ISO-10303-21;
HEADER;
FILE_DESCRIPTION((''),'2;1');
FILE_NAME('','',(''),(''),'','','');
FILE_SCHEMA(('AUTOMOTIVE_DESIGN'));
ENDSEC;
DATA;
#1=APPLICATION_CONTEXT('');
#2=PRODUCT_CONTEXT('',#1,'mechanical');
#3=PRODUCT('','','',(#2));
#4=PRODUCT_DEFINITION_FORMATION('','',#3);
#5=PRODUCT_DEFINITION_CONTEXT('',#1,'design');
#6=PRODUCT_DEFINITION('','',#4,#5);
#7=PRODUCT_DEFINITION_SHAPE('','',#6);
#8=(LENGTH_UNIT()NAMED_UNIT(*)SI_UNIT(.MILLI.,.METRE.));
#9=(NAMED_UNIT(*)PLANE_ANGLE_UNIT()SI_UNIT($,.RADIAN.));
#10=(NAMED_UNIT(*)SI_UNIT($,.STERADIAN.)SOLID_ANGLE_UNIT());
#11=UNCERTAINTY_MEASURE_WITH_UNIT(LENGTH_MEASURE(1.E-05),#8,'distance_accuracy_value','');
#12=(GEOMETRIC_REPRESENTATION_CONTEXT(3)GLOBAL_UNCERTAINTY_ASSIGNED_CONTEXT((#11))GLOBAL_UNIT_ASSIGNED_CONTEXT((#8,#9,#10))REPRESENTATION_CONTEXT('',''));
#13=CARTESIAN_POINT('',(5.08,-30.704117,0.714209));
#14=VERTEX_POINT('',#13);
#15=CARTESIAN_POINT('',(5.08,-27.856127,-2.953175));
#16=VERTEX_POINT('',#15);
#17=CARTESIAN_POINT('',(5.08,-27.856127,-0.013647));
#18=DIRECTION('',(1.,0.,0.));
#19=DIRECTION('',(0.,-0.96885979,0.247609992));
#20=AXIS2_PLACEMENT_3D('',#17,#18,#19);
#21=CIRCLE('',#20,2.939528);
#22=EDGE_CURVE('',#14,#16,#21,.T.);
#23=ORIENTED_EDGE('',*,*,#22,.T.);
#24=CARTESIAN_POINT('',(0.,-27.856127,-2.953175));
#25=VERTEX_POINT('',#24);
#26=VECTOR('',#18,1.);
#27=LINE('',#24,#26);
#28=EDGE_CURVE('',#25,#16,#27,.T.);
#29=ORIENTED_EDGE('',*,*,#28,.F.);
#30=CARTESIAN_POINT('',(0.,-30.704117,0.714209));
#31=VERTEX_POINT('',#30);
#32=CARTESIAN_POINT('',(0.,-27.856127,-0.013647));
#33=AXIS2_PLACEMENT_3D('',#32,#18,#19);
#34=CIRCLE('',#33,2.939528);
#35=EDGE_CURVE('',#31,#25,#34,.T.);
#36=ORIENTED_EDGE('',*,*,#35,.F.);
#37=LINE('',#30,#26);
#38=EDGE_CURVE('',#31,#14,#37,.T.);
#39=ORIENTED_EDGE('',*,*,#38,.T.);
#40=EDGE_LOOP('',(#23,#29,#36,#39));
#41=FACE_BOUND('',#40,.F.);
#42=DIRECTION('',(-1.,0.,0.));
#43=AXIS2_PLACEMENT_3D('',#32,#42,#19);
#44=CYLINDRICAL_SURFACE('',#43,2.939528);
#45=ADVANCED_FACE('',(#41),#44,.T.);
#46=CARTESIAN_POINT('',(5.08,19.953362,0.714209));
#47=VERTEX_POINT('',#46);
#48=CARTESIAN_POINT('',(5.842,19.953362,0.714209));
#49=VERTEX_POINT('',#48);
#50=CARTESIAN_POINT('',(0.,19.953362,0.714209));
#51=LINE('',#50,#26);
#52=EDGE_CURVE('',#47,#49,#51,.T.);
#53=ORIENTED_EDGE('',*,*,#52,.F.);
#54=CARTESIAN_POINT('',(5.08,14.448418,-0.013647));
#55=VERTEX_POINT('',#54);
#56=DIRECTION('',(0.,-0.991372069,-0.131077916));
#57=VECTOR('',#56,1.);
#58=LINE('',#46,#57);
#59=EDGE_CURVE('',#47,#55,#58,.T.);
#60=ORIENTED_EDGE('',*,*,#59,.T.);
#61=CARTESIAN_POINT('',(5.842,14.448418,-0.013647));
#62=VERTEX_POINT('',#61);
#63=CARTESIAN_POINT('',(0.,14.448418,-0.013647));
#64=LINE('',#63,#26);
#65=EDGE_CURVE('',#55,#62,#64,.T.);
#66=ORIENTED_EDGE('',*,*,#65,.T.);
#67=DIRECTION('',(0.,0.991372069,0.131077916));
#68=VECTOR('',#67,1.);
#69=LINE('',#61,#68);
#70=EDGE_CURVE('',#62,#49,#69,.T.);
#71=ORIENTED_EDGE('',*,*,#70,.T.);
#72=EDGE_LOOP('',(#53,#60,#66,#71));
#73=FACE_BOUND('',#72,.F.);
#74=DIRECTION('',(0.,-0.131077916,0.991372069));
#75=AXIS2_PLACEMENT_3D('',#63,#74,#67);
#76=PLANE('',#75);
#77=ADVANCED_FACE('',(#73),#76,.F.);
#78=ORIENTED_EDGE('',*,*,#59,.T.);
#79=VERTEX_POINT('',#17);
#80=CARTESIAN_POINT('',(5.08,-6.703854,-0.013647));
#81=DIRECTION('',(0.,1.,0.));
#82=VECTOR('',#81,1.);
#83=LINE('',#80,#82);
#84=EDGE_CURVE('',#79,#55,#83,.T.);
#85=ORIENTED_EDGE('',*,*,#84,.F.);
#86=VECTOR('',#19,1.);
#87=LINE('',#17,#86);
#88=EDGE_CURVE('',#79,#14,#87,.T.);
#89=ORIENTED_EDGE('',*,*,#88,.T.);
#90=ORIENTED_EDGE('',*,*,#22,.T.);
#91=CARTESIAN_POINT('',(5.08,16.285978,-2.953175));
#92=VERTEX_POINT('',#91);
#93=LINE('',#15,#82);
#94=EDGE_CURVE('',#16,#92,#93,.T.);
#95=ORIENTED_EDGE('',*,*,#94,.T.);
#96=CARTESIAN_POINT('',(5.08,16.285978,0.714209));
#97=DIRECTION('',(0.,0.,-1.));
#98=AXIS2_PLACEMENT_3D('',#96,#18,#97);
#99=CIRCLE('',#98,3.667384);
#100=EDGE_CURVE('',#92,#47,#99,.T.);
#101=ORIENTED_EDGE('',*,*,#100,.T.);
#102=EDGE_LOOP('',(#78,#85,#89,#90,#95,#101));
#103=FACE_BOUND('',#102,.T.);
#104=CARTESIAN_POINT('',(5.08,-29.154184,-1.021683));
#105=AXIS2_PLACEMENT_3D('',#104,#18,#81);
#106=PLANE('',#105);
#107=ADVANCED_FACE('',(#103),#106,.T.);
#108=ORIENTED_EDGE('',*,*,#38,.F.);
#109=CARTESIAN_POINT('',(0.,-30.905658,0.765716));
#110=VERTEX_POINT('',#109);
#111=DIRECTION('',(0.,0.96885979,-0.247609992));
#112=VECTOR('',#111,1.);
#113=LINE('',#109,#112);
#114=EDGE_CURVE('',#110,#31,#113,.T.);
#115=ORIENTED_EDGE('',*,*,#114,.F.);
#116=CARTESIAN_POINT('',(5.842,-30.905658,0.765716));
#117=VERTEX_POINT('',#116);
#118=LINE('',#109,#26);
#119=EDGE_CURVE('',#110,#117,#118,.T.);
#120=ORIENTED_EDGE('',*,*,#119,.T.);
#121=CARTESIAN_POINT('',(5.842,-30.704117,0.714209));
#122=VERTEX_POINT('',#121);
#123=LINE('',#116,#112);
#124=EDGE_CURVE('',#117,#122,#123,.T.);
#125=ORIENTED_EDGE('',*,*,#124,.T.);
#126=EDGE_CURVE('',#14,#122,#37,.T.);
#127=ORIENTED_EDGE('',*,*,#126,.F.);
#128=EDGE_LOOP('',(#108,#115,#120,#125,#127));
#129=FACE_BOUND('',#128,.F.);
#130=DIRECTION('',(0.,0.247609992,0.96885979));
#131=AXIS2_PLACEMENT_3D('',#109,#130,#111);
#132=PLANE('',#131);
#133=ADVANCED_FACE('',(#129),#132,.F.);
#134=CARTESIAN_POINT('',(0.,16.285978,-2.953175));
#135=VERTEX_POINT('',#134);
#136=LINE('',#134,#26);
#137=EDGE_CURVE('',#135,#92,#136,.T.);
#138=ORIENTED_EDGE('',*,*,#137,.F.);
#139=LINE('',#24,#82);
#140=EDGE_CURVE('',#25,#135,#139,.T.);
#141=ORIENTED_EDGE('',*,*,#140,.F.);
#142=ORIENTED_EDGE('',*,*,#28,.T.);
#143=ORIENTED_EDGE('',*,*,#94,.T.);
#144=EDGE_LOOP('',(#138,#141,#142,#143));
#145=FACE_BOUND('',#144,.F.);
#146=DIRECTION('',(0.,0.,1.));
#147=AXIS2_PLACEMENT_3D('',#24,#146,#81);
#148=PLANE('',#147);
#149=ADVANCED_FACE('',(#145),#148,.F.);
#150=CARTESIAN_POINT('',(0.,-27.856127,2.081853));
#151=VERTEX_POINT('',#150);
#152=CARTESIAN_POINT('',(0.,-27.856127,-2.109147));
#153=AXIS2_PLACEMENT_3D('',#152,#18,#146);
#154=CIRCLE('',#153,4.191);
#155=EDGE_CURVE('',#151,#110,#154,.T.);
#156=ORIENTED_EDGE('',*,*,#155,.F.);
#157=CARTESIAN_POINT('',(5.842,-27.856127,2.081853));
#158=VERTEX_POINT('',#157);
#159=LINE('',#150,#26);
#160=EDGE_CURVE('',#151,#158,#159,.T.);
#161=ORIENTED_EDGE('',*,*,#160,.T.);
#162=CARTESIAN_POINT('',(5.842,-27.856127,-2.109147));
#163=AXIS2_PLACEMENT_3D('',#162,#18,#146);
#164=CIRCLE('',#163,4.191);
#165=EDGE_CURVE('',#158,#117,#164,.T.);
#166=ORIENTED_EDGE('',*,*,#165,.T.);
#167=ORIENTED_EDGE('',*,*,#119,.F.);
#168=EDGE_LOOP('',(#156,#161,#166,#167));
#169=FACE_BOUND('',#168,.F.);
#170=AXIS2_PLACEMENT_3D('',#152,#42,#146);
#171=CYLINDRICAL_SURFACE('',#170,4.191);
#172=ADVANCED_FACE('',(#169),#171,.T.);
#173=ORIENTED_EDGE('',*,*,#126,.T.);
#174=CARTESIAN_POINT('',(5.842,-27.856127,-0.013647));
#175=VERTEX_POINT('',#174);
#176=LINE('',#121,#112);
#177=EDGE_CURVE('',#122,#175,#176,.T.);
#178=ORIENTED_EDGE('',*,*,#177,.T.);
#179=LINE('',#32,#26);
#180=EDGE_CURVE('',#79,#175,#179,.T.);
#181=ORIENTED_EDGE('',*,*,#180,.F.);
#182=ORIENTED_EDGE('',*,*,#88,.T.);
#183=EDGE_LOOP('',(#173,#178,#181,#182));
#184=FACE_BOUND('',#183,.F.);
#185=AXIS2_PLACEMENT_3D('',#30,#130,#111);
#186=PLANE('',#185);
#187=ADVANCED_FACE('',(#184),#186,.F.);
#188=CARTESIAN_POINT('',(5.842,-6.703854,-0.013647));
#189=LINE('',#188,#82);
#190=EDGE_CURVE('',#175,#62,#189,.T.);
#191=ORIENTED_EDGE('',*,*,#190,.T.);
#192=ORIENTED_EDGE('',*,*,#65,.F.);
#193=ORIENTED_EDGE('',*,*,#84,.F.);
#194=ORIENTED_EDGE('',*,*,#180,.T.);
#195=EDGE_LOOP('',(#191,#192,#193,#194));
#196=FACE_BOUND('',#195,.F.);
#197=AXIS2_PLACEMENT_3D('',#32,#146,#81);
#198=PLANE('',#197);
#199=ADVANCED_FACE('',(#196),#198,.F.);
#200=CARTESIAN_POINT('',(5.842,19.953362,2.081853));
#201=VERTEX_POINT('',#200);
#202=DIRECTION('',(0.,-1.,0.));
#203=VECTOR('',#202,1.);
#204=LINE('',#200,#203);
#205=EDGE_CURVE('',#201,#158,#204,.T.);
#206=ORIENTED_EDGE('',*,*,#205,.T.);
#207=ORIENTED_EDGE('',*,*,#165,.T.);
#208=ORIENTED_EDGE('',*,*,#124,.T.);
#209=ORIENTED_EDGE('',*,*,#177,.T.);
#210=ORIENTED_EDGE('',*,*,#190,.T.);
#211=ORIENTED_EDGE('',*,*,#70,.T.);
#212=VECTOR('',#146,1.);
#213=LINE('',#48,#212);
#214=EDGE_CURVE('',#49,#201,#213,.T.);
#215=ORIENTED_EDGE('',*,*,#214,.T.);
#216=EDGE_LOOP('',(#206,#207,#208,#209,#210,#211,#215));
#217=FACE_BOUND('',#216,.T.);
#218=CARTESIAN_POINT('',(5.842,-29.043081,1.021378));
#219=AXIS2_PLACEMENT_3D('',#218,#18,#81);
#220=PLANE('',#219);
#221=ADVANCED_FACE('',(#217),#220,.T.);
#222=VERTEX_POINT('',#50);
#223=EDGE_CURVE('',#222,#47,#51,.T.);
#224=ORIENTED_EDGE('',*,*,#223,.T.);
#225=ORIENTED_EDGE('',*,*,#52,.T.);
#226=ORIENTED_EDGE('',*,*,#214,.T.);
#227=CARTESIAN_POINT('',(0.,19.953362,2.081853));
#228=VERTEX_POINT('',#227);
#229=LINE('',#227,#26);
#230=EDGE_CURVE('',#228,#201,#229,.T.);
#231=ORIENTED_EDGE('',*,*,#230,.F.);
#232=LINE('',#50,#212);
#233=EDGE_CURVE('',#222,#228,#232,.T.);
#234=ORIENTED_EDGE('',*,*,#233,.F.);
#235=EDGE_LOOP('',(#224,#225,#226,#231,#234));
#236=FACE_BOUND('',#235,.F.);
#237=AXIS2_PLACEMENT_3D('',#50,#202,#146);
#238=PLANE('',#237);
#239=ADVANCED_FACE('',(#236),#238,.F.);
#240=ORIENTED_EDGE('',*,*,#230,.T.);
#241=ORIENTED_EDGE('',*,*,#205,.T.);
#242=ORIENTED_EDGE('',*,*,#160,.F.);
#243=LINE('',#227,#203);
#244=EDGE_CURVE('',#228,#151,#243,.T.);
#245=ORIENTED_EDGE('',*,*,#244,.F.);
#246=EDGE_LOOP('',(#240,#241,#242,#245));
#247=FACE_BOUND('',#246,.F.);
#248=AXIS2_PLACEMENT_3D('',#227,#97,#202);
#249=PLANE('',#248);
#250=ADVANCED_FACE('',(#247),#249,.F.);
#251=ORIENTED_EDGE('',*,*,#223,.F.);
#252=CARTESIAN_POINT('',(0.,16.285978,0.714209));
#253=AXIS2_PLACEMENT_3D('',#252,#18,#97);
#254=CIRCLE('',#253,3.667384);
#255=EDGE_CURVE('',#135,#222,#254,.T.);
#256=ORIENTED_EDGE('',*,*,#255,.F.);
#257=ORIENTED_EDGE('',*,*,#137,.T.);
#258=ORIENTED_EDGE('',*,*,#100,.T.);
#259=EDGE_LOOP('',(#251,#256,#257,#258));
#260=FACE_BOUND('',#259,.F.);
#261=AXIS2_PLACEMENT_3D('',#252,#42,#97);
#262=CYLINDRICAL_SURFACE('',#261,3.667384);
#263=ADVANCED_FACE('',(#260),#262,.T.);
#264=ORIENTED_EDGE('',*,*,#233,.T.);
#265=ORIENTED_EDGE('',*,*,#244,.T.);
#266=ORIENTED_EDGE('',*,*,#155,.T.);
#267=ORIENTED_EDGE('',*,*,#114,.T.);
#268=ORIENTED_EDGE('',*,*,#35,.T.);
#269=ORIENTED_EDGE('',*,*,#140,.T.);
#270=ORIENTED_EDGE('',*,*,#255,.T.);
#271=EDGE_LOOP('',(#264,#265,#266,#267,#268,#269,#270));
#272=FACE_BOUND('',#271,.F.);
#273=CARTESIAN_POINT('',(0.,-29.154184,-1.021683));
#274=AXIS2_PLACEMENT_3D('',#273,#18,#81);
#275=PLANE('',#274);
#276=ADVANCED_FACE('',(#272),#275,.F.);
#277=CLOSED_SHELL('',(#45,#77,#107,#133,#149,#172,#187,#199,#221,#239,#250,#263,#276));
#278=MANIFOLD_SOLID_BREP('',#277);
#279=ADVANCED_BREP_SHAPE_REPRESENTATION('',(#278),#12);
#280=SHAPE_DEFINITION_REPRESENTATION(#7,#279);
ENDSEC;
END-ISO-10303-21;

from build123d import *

# Parameters (mm, degrees)
F0_W     = 42.3045453848
F0_H     = 2.0955
F1_DEPTH = 5.842
F0_H_2   = 2.9395276724
F2_DEPTH = 5.08


with BuildPart() as f1:
    # F0 (on Right) → F1 (new body)
    with BuildSketch(Plane.YZ):
        with BuildLine():
            Line((-27.856127011, -0.0136474585), (-27.856127011, 2.0818525415))
            ThreePointArc((-27.856127011, 2.0818525415), (-29.51683868, 1.7387763651), (-30.9056579084, 0.7657164176))
            Line((-30.9056579084, 0.7657164176), (-30.7041171732, 0.7142089649))
            Line((-30.7041171732, 0.7142089649), (-27.856127011, -0.0136474585))
        make_face()
        with Locations((-6.7038543186, 1.0341025415)):
            Rectangle(F0_W, F0_H)
        Polygon((19.4500260153, 2.0818525415), (14.4484183737, 2.0818525415), (14.4484183737, -0.0136474585), (19.953361936, 0.7142089649), (19.953361936, 2.0818525415), align=None)
    extrude(amount=F1_DEPTH)

    # F0 (on Right) → F2 (join)
    with BuildSketch(Plane.YZ):
        with BuildLine():
            Line((-27.856127011, -2.953175131), (-27.856127011, -0.0136474585))
            Line((-27.856127011, -0.0136474585), (-30.7041171732, 0.7142089649))
            ThreePointArc((-30.7041171732, 0.7142089649), (-30.1778049641, -1.816599044), (-27.856127011, -2.953175131))
        make_face()
        with Locations((-6.7038543186, -1.4834112948)):
            Rectangle(F0_W, F0_H_2)
        with BuildLine():
            Line((19.953361936, 0.7142089649), (14.4484183737, -0.0136474585))
            Line((14.4484183737, -0.0136474585), (14.4484183737, -2.953175131))
            Line((14.4484183737, -2.953175131), (16.2859778402, -2.953175131))
            ThreePointArc((16.2859778402, -2.953175131), (18.8792100035, -1.8790231985), (19.953361936, 0.7142089649))
        make_face()
    extrude(amount=F2_DEPTH)


solid = f1.part
